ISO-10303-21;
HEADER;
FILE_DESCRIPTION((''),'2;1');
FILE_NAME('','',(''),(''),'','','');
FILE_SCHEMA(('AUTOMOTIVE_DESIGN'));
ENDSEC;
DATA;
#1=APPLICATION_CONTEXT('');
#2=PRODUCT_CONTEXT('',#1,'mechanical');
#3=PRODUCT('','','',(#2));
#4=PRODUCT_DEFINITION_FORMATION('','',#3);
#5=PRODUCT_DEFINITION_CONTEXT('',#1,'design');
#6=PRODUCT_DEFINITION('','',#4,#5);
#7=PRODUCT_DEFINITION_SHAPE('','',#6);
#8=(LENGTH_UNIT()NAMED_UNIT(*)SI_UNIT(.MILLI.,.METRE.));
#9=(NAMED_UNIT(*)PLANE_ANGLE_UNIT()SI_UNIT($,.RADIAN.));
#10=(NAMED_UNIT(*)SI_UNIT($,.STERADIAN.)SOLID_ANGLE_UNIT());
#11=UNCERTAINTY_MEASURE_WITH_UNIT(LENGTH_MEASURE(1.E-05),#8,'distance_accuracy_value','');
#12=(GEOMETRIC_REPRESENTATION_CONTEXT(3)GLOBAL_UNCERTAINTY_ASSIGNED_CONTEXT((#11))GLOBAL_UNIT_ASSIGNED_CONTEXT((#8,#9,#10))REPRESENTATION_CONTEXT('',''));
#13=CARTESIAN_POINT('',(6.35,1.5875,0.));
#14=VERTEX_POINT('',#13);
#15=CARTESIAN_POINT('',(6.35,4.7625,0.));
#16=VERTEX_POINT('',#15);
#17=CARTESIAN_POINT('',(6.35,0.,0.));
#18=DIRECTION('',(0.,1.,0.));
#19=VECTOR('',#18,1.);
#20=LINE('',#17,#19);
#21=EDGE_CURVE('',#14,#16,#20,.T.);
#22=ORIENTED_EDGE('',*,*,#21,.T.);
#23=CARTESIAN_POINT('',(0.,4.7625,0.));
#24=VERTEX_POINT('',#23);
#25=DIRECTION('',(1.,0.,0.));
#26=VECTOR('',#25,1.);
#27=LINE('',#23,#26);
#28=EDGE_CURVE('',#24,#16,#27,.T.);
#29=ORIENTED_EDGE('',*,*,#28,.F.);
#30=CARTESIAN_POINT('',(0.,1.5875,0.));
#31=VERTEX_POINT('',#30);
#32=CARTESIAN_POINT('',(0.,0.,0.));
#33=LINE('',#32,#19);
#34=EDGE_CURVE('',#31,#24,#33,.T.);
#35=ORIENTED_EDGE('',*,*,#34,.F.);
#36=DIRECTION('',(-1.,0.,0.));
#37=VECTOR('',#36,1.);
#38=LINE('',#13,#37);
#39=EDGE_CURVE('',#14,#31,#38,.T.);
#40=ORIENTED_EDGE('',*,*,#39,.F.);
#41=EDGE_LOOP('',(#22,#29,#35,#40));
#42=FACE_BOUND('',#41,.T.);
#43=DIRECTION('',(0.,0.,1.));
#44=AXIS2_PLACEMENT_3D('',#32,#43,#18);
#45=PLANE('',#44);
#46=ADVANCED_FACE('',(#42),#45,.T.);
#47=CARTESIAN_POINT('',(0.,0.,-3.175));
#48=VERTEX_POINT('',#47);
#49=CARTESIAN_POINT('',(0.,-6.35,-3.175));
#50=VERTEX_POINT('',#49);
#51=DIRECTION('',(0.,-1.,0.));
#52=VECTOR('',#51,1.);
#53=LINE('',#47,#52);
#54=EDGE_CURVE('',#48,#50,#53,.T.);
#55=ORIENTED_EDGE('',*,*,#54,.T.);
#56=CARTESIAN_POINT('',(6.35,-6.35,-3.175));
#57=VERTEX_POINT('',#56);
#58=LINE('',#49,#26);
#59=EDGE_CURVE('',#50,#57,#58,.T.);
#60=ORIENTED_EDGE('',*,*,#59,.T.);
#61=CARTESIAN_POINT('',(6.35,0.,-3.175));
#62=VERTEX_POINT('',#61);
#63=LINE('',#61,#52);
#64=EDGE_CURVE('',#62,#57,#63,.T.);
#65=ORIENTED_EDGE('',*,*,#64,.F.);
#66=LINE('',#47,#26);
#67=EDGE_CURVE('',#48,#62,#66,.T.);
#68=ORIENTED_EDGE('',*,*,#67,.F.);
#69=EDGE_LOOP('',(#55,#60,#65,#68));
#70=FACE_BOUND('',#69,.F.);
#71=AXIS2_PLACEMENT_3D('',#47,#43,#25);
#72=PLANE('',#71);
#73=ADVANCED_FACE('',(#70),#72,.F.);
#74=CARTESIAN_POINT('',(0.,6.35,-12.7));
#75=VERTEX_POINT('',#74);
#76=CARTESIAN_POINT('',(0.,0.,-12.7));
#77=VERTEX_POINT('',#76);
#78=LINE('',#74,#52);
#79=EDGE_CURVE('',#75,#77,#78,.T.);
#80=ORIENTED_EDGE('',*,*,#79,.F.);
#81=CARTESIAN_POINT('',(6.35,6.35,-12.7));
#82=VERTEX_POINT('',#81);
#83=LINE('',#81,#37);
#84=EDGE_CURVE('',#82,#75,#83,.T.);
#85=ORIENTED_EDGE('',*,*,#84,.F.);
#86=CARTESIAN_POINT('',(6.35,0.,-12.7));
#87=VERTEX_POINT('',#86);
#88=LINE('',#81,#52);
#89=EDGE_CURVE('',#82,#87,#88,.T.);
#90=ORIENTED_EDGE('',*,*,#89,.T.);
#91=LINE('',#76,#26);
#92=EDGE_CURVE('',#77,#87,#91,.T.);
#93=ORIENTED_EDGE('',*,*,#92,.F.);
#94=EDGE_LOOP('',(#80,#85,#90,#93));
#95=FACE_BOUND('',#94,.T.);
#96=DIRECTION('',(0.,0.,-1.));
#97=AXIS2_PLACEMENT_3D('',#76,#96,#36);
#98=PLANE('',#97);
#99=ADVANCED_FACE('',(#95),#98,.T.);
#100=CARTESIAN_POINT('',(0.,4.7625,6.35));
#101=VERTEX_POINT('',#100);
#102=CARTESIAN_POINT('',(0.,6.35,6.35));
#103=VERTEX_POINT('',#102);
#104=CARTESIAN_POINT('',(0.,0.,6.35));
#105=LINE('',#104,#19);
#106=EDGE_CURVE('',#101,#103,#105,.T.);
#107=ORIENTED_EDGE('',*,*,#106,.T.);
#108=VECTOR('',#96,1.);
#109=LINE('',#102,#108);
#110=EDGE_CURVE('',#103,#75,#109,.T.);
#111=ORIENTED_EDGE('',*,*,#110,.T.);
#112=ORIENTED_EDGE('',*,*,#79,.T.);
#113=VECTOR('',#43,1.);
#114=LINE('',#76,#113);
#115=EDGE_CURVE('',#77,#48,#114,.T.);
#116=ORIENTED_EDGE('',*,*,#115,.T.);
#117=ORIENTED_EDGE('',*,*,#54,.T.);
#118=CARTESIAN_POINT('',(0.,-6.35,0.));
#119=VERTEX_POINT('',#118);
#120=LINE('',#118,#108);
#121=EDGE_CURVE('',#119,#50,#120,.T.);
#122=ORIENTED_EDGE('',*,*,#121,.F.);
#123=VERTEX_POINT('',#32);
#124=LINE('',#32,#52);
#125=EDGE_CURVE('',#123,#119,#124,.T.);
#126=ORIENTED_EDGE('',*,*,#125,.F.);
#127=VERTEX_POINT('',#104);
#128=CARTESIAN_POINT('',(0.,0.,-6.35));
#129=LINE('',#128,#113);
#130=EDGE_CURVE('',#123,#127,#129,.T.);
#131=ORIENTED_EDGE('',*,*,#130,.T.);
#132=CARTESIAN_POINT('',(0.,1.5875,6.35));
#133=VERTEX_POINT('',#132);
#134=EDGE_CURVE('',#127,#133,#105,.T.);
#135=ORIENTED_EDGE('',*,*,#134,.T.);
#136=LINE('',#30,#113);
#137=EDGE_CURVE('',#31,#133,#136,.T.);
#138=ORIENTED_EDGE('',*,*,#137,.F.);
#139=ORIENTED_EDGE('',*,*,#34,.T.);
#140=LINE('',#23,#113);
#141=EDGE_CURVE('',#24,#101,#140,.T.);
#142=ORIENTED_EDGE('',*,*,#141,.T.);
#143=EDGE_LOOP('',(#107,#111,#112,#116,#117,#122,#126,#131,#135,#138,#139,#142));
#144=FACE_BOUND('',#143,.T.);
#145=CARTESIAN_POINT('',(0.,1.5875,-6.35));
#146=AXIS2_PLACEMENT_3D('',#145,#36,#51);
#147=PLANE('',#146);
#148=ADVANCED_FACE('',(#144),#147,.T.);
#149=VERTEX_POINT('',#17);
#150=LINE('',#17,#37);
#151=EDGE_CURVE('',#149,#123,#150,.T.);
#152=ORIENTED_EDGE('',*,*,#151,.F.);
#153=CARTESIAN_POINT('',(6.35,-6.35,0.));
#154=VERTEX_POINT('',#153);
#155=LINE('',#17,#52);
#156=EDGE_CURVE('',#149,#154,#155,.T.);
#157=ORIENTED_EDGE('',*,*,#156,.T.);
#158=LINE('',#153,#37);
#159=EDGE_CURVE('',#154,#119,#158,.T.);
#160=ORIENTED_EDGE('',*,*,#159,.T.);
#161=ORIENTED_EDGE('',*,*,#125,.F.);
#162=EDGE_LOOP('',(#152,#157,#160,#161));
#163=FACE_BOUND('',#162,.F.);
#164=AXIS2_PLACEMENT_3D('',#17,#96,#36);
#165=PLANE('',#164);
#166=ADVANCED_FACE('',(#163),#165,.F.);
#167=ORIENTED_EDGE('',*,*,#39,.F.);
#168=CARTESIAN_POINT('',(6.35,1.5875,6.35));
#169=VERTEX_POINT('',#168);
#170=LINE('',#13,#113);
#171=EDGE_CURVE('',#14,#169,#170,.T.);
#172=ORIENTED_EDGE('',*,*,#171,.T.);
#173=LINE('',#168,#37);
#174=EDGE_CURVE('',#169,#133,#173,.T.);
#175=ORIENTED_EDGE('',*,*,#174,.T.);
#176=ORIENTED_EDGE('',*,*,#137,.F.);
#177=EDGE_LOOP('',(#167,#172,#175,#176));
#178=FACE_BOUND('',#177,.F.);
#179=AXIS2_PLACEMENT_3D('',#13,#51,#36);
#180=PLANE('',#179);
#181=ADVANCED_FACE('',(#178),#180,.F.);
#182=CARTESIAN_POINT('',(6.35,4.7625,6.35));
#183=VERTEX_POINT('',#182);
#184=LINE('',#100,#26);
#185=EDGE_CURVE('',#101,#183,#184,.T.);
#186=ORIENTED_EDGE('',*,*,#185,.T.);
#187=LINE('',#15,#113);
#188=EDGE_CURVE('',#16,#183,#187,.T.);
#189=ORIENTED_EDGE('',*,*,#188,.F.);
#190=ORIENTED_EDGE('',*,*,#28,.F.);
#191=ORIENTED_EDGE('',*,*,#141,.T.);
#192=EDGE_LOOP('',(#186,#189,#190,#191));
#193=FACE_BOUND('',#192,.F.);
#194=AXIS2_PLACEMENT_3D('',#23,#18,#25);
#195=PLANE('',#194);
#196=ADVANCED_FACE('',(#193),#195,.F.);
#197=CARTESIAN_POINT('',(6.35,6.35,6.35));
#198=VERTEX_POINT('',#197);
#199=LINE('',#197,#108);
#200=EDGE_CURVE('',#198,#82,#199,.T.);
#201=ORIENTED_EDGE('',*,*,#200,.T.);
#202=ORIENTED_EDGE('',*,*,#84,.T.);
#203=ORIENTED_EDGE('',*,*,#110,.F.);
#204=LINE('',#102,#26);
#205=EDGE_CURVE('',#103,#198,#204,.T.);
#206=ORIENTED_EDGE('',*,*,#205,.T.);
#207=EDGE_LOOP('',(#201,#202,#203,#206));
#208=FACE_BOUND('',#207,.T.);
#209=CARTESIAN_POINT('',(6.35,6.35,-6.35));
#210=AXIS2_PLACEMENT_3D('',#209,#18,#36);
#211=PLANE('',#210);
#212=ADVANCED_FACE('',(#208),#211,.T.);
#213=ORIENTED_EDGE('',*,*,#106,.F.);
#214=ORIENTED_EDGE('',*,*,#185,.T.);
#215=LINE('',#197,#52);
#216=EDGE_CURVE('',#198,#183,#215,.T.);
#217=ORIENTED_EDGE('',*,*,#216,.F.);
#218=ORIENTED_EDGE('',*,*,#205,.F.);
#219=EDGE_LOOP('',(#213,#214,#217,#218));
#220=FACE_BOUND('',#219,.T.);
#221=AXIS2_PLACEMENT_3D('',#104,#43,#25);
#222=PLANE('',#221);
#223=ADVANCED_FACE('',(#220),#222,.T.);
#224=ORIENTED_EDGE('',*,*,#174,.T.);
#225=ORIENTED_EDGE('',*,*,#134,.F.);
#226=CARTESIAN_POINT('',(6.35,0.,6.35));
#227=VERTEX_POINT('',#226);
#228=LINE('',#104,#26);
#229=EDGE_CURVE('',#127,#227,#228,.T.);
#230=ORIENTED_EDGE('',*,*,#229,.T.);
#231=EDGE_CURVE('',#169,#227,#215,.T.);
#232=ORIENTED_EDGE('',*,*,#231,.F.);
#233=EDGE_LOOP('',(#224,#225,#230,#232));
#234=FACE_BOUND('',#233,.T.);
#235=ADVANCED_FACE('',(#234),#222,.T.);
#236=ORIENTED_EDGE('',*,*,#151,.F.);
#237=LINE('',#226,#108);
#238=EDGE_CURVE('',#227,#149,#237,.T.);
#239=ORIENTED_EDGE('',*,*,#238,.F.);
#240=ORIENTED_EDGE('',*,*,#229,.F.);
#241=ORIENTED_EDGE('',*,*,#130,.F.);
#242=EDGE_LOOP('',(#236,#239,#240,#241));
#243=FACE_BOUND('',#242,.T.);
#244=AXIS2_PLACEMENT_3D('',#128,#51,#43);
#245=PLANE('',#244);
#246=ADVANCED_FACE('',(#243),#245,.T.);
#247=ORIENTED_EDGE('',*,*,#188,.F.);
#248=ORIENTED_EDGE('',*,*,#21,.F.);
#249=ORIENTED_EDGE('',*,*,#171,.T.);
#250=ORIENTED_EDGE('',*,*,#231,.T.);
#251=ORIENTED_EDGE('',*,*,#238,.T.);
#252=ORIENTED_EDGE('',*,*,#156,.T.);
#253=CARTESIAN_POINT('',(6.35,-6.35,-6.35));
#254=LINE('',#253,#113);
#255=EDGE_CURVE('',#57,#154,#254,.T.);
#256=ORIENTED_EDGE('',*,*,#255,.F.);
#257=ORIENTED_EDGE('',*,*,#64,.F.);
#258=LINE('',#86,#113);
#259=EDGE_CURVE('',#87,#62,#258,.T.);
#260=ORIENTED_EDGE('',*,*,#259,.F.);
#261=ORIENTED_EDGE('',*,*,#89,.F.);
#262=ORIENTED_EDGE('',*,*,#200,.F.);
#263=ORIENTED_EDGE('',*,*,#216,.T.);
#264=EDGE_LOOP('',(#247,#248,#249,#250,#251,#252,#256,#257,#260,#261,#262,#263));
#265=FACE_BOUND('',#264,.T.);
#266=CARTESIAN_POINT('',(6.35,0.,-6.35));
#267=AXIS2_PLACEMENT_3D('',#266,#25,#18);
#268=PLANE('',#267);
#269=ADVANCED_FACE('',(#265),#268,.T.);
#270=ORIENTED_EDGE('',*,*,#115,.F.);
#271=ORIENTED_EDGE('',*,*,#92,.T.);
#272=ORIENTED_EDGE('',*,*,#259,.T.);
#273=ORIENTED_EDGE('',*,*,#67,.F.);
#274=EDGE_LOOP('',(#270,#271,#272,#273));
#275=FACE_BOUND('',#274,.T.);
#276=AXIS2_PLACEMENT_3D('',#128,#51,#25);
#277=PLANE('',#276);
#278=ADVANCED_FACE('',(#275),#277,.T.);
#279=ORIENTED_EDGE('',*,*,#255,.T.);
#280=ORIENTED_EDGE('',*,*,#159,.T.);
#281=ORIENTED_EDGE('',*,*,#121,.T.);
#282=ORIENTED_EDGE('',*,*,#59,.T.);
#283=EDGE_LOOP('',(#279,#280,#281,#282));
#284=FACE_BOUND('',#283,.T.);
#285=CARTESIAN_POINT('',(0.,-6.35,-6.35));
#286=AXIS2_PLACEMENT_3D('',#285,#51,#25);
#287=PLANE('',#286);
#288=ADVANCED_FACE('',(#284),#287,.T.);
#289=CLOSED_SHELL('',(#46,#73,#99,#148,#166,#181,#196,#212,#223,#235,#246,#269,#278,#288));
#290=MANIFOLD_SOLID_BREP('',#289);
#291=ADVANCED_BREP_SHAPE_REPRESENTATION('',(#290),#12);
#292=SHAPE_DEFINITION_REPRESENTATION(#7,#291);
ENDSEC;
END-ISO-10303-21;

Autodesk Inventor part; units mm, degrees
ref_plane "YZ Plane" through (0, 0, 0) normal (1, 0, 0) x (0, 1, 0)
ref_plane "XZ Plane" through (0, 0, 0) normal (0, 1, 0) x (-1, 0, 0)
ref_plane "XY Plane" through (0, 0, 0) normal (0, 0, 1) x (1, 0, 0)
sketch "Sketch1" plane through (0, 0, 0) normal (1, 0, 0) x (0, 1, 0)
  line L0 (0, 0) -> (6.35, 0)
  line L1 (6.35, 0) -> (6.35, -6.35)
  line L2 (6.35, -6.35) -> (0, -6.35)
  line L3 (0, -6.35) -> (0, 0)
  dimension "d0" = 6.35
  dimension "d1" = 6.35
extrude "Extrusion1" add sketch "Sketch1" along normal blind 6.35
sketch "Sketch2" plane through (0, 0, 0) normal (0, 0, 1) x (1, 0, 0)
  line L0 (0, 0) -> (0, 6.35) projected
  line L1 (6.35, 6.35) -> (6.35, 0) projected
  line L2 (0, 4.7625) -> (6.35, 4.7625)
  line L3 (6.35, 4.7625) -> (6.35, 1.5875)
  line L4 (6.35, 1.5875) -> (0, 1.5875)
  line L5 (0, 1.5875) -> (0, 4.7625)
  line L6 (0, 0) -> (6.35, 0) projected
  line L7 (0, 1.5875) -> (0, 0)
  line L8 (0, 0) -> (6.35, 0)
  line L9 (6.35, 0) -> (6.35, 1.5875)
  line L10 (6.35, 4.7625) -> (6.35, 6.35)
  line L11 (0, 6.35) -> (6.35, 6.35) projected
  line L12 (0, 6.35) -> (0, 4.7625)
  line L13 (0, 6.35) -> (6.35, 6.35)
  dimension "d4" = 1.5875
  dimension "d5" = 3.175
extrude "Extrusion2" add sketch "Sketch2" along normal blind 6.35 contours L0 L4 L1 L6 | L0 L11 L1 L2
sketch "Sketch3" plane through (0, 0, -6.35) normal (0, -1, 0) x (1, 0, 0)
  line L0 (6.35, 0) -> (6.35, 12.7) projected
  line L1 (6.35, 6.35) -> (0, 6.35)
  line L2 (0, 6.35) -> (0, 3.175)
  line L3 (0, 3.175) -> (6.35, 3.175)
  line L4 (6.35, 3.175) -> (6.35, 6.35)
  dimension "d8" = 3.175
  dimension "d9" = 6.35
extrude "Extrusion3" add sketch "Sketch3" along normal blind 6.35
sketch "Sketch4" plane through (0, 0, -6.35) normal (0, 0, -1) x (-1, 0, 0)
  line L0 (0, 1.5875) -> (0, 0) projected
  line L1 (-6.35, 4.7625) -> (-6.35, 6.35) projected
  line L2 (0, 0) -> (-6.35, 0)
  line L3 (-6.35, 0) -> (-6.35, 6.35)
  line L4 (-6.35, 6.35) -> (0, 6.35)
  line L5 (0, 6.35) -> (0, 0)
extrude "Extrusion4" add sketch "Sketch4" along normal blind 6.35
properties part number "MonsterSupportHolder4"
